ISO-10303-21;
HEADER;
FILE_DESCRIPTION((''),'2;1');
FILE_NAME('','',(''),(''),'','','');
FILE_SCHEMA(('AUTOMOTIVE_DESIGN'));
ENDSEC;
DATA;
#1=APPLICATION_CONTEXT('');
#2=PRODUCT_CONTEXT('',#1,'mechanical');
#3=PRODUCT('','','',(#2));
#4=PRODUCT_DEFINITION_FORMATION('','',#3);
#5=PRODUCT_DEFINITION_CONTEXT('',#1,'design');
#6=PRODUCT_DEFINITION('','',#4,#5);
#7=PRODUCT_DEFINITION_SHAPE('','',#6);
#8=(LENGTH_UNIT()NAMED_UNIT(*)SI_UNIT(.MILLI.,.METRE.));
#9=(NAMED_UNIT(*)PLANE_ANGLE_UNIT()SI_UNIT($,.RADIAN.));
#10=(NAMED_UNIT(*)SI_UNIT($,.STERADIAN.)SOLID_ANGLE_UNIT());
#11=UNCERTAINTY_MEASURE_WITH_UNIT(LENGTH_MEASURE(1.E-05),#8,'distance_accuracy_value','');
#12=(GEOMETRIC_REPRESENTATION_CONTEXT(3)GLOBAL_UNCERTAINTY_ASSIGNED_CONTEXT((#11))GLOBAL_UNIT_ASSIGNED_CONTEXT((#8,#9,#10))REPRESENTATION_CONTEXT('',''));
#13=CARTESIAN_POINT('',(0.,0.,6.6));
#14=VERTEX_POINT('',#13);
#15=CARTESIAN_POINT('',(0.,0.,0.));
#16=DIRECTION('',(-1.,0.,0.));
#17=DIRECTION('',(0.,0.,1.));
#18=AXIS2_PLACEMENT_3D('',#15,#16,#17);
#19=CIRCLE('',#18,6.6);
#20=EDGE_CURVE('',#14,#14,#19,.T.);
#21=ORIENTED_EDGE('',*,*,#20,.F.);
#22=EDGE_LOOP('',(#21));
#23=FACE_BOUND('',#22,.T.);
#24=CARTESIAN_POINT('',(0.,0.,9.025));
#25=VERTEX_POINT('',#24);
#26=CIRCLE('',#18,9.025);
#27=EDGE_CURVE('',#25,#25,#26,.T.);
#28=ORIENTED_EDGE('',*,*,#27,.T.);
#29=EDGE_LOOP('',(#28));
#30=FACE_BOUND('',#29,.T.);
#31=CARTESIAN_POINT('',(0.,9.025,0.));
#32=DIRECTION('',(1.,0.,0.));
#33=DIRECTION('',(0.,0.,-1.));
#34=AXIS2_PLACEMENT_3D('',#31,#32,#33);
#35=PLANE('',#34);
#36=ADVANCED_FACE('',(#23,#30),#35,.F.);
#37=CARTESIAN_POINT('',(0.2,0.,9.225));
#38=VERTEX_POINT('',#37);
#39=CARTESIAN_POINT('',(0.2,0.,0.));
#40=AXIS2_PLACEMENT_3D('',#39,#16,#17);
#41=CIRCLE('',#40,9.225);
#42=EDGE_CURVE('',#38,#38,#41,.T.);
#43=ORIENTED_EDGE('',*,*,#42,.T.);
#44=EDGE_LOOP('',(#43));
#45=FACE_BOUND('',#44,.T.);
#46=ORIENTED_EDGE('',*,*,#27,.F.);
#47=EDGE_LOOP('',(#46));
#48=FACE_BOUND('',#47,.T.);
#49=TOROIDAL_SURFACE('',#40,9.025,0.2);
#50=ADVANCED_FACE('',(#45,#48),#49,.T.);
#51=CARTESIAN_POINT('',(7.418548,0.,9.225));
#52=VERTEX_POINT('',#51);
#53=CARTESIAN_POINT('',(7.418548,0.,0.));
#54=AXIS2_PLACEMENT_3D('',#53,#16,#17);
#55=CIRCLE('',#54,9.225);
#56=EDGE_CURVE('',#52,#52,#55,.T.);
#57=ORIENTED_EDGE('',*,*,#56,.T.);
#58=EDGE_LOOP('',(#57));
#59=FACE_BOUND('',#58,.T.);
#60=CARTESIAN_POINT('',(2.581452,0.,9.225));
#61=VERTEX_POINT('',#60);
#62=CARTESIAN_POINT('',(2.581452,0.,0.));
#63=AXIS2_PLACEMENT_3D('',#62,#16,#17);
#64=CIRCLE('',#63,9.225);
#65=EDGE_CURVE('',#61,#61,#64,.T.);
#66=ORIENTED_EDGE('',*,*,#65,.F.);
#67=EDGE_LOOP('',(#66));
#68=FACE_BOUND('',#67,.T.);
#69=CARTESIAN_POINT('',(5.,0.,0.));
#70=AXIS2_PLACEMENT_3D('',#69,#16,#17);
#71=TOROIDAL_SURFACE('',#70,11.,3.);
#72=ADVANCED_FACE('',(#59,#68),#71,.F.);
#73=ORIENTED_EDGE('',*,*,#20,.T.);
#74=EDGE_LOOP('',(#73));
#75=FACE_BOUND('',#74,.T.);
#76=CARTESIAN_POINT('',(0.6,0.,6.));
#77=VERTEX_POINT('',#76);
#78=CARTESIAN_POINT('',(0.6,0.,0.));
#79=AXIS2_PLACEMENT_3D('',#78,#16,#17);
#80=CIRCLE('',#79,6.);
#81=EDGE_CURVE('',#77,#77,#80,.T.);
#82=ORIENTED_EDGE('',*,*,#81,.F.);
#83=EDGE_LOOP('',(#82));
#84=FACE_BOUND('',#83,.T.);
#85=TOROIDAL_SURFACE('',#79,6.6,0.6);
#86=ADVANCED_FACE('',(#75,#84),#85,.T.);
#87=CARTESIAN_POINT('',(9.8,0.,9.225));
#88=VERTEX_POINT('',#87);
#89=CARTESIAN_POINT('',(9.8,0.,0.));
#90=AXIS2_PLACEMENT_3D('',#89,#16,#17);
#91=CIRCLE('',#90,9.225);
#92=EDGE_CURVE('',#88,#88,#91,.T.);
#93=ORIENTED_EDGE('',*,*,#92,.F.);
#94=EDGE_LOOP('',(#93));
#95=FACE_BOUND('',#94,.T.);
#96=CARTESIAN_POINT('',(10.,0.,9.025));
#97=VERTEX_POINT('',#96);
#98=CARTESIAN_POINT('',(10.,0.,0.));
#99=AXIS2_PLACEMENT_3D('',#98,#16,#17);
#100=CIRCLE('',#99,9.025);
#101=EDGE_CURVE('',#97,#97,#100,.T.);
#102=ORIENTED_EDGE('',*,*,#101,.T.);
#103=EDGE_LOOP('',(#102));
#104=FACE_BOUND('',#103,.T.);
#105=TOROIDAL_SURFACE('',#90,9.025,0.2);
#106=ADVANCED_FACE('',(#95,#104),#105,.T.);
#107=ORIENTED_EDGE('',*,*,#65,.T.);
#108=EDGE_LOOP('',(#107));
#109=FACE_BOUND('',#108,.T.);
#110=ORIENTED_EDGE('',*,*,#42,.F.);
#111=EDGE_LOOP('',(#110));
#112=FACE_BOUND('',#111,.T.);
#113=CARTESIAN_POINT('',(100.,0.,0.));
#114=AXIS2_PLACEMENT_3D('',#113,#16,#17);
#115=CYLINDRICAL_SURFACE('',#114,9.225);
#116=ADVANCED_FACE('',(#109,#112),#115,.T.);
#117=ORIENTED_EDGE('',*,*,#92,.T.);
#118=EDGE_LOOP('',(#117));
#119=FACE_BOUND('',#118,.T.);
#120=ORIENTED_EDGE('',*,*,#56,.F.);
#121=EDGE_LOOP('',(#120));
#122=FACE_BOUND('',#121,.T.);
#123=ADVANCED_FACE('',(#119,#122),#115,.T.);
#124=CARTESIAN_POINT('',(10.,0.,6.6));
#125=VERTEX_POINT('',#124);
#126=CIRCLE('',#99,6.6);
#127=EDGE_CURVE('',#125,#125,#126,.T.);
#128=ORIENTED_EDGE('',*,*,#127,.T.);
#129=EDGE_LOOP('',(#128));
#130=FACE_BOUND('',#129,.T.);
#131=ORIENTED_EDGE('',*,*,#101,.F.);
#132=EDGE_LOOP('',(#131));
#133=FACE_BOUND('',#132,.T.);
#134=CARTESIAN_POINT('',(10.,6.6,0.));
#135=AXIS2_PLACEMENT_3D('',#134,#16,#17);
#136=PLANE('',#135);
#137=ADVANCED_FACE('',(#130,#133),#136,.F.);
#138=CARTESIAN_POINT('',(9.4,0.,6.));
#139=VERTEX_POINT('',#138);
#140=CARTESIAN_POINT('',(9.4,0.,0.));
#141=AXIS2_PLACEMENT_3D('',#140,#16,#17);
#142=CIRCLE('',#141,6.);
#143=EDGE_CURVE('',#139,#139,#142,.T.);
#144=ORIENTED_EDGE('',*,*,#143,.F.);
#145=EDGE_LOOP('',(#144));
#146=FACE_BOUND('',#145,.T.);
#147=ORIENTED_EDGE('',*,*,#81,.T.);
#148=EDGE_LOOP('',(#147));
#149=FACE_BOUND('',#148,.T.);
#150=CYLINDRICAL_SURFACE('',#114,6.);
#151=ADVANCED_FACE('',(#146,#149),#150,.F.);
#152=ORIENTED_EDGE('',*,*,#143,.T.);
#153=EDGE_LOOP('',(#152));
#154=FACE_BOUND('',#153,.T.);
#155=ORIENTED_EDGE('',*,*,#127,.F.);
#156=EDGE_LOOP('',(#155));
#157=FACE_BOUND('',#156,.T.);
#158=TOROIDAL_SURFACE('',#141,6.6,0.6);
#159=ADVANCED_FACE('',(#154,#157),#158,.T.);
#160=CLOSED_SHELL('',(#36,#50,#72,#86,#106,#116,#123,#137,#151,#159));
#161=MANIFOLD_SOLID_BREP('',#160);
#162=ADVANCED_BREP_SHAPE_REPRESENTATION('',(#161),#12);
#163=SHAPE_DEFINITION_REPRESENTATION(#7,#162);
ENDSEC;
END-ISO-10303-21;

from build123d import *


with BuildPart() as part:
    # Esquisse1 → Révolution1 (revolve)
    with BuildSketch(Plane.XY, mode=Mode.PRIVATE) as r_volution1_sk:
        with BuildLine():
            Line((0.6, 6), (9.4, 6))
            ThreePointArc((9.4, 6), (9.824264069, 6.175735931), (10, 6.6))
            Line((10, 6.6), (10, 9.025))
            ThreePointArc((10, 9.025), (9.941421356, 9.166421356), (9.8, 9.225))
            Line((9.8, 9.225), (7.418548118, 9.225))
            ThreePointArc((7.418548118, 9.225), (5, 8), (2.581451882, 9.225))
            Line((2.581451882, 9.225), (0.2, 9.225))
            ThreePointArc((0.2, 9.225), (0.058578644, 9.166421356), (0, 9.025))
            Line((0, 9.025), (0, 6.6))
            ThreePointArc((0, 6.6), (0.175735931, 6.175735931), (0.6, 6))
        make_face()
    revolve(r_volution1_sk.sketch.rotate(Axis((100, 0, 0), (-1, 0, 0)), 270), axis=Axis((100, 0, 0), (-1, 0, 0)))


solid = part.part
